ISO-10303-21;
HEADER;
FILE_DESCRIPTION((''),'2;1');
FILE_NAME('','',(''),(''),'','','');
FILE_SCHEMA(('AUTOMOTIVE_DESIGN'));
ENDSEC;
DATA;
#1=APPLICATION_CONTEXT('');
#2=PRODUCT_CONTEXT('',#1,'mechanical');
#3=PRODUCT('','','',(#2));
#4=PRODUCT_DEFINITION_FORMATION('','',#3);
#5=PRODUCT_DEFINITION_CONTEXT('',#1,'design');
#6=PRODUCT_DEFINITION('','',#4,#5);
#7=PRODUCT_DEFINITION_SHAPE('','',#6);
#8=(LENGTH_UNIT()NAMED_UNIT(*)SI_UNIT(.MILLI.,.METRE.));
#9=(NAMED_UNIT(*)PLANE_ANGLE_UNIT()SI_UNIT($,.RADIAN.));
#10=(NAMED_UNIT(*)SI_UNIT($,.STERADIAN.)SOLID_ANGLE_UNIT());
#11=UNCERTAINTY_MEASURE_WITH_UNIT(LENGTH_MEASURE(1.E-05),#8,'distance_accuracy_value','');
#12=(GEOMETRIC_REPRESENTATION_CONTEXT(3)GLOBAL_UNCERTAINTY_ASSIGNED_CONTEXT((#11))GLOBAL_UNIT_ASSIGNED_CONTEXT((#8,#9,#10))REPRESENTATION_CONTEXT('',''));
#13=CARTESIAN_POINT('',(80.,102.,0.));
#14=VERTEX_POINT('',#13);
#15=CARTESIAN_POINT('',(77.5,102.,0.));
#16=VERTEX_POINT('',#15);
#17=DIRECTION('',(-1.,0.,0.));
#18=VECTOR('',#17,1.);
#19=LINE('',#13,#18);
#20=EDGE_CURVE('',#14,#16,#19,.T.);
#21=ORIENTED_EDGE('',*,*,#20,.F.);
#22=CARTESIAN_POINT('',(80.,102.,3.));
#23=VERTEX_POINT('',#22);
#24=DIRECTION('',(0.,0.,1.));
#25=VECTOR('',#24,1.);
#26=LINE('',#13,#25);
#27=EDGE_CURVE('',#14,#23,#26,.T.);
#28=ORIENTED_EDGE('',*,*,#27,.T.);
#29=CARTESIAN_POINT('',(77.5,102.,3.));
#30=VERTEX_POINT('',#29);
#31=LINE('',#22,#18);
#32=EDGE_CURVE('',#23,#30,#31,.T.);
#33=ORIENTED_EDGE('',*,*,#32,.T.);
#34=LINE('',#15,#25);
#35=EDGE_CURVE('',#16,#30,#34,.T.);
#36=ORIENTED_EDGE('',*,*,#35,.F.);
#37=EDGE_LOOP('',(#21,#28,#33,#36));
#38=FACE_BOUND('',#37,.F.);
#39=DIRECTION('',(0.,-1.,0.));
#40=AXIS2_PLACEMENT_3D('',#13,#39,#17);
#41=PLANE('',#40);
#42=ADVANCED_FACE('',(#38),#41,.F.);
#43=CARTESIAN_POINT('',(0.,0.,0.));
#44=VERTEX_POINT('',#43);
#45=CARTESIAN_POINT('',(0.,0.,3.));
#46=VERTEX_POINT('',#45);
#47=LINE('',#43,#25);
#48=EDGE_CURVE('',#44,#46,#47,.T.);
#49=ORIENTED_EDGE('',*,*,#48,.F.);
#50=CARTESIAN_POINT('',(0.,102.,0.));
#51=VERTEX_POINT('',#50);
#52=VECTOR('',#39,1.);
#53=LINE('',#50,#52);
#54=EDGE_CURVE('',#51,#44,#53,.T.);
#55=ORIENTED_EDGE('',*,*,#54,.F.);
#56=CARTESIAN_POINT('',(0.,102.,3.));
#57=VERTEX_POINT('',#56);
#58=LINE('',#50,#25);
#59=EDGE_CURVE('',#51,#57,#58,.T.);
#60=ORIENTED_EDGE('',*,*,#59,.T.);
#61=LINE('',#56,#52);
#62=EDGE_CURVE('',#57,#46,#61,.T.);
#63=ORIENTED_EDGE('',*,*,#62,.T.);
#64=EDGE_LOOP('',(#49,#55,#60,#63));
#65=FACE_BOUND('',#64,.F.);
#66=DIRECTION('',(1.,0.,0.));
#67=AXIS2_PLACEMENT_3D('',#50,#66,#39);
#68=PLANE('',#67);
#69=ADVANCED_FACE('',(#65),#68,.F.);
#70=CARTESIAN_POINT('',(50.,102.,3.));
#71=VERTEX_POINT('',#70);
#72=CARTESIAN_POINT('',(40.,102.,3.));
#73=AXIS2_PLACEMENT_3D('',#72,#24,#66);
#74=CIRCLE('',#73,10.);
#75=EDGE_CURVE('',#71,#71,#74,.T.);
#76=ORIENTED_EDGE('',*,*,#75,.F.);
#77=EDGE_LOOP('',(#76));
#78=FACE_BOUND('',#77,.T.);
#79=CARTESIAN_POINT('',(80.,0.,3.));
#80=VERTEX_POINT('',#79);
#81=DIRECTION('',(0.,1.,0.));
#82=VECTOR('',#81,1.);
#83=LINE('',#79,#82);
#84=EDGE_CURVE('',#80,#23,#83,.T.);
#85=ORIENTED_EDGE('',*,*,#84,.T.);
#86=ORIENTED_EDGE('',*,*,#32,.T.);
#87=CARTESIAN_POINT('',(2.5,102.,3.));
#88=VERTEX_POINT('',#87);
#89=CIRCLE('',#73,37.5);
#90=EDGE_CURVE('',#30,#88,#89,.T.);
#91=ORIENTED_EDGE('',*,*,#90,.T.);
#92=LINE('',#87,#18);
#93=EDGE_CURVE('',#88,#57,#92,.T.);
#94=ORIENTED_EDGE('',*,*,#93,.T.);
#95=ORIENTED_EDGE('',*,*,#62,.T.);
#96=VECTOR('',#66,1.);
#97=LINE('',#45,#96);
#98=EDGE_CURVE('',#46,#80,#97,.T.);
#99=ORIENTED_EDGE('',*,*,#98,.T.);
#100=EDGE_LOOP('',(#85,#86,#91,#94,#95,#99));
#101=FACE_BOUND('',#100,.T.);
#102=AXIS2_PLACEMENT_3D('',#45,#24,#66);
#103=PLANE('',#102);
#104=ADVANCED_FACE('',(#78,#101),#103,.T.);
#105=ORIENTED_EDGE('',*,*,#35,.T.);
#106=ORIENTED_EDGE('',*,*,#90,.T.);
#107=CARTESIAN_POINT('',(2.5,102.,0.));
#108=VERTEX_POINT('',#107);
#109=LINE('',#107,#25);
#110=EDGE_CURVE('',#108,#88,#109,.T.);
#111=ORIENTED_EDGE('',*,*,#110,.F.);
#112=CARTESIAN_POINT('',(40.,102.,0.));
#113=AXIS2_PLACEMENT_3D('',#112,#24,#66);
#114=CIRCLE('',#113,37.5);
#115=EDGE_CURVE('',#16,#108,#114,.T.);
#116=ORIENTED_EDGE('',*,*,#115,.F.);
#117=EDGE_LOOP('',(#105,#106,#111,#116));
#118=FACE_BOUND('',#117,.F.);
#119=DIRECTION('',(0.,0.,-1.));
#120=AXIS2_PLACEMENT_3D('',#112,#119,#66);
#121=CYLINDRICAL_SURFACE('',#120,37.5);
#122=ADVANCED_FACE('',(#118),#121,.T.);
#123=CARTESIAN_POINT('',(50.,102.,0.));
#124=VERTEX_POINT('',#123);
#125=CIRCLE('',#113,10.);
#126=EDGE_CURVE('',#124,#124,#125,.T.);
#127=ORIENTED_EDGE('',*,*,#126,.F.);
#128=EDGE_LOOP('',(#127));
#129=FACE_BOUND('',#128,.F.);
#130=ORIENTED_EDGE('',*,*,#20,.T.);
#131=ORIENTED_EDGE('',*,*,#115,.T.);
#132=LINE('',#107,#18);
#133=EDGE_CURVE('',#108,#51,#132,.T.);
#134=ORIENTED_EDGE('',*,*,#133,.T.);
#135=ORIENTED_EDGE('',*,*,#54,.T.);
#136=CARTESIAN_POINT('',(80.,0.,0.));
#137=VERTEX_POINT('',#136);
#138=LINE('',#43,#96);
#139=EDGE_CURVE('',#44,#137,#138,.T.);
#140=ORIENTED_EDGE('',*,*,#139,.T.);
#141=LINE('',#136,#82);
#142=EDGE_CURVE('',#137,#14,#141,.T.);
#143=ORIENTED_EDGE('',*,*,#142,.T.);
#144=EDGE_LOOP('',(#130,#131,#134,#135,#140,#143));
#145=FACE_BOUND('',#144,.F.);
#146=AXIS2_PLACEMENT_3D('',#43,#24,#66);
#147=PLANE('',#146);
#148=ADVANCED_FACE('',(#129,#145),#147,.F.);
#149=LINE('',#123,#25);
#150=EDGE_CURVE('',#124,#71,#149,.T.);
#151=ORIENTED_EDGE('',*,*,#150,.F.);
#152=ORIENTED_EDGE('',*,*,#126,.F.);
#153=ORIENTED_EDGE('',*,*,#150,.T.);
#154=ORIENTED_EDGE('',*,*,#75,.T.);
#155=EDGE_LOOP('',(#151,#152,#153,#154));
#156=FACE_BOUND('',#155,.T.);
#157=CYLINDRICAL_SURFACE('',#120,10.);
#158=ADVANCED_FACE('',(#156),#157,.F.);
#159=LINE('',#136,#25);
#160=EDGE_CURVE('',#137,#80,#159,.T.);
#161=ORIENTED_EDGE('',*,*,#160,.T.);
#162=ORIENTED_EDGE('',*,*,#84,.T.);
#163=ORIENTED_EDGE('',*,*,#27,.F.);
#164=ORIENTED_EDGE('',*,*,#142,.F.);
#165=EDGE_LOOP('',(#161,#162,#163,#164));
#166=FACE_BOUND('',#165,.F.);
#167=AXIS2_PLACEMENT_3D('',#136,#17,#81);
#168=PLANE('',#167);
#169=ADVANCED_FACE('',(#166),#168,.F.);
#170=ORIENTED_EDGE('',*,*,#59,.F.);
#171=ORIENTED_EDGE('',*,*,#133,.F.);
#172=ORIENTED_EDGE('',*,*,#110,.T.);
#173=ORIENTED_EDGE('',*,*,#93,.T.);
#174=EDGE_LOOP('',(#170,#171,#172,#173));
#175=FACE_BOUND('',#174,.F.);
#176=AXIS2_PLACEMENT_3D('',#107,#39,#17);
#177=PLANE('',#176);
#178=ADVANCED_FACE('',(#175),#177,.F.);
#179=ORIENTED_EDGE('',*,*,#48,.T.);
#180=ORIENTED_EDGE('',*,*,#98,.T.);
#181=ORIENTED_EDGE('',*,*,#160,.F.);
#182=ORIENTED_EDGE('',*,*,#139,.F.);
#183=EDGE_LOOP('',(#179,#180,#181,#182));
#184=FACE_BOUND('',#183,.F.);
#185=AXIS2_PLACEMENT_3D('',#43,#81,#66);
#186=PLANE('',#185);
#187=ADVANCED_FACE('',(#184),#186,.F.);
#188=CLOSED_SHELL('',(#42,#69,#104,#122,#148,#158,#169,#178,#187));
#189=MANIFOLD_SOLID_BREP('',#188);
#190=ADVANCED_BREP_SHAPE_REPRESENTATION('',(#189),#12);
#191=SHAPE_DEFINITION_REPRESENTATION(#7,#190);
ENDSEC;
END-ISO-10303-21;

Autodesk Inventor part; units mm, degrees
ref_plane "YZ Plane" through (0, 0, 0) normal (1, 0, 0) x (0, 1, 0)
ref_plane "XZ Plane" through (0, 0, 0) normal (0, 1, 0) x (-1, 0, 0)
ref_plane "XY Plane" through (0, 0, 0) normal (0, 0, 1) x (1, 0, 0)
sketch "Эскиз3" plane through (0, 0, 0) normal (0, 0, 1) x (1, 0, 0)
  line L0 (0, 0) -> (80, 0)
  line L1 (80, 0) -> (80, 102)
  line L2 (0, 102) -> (0, 0)
  circle A0 centre (40, 102) radius 10
  arc A1 (77.5, 102) -> (2.5, 102) centre (40, 102) ccw
  line L3 (80, 102) -> (77.5, 102)
  line L4 (2.5, 102) -> (0, 102)
  dimension "d8" = 102
  dimension "d9" = 80
  dimension "d10" = 20
  dimension "d11" = 75
extrude "Выдавливание3" add sketch "Эскиз3" along normal blind 3
equation "\"d9\" = width_coxa"
equation "\"d10\" = d_main_shaft"
equation "\"d6\" = thickness_steel"
equation "\"tolerance_plazma\" = 0.1"
equation "\"thickness_steel\" = 3"
equation "\"d_main_screw_holes\" = 6.1"
equation "\"d_main_shaft\" = 20"
equation "\"thickness_profile_tibea\" = 4"
equation "\"thickness_profile_femur\" = 3"
equation "\"width_shaft_shift\" = 35"
equation "\"width_flattened_surface\" = 12"
equation "\"width_coxa\" = 80"
properties part number "coxa_upper_steel" material "Сталь"
